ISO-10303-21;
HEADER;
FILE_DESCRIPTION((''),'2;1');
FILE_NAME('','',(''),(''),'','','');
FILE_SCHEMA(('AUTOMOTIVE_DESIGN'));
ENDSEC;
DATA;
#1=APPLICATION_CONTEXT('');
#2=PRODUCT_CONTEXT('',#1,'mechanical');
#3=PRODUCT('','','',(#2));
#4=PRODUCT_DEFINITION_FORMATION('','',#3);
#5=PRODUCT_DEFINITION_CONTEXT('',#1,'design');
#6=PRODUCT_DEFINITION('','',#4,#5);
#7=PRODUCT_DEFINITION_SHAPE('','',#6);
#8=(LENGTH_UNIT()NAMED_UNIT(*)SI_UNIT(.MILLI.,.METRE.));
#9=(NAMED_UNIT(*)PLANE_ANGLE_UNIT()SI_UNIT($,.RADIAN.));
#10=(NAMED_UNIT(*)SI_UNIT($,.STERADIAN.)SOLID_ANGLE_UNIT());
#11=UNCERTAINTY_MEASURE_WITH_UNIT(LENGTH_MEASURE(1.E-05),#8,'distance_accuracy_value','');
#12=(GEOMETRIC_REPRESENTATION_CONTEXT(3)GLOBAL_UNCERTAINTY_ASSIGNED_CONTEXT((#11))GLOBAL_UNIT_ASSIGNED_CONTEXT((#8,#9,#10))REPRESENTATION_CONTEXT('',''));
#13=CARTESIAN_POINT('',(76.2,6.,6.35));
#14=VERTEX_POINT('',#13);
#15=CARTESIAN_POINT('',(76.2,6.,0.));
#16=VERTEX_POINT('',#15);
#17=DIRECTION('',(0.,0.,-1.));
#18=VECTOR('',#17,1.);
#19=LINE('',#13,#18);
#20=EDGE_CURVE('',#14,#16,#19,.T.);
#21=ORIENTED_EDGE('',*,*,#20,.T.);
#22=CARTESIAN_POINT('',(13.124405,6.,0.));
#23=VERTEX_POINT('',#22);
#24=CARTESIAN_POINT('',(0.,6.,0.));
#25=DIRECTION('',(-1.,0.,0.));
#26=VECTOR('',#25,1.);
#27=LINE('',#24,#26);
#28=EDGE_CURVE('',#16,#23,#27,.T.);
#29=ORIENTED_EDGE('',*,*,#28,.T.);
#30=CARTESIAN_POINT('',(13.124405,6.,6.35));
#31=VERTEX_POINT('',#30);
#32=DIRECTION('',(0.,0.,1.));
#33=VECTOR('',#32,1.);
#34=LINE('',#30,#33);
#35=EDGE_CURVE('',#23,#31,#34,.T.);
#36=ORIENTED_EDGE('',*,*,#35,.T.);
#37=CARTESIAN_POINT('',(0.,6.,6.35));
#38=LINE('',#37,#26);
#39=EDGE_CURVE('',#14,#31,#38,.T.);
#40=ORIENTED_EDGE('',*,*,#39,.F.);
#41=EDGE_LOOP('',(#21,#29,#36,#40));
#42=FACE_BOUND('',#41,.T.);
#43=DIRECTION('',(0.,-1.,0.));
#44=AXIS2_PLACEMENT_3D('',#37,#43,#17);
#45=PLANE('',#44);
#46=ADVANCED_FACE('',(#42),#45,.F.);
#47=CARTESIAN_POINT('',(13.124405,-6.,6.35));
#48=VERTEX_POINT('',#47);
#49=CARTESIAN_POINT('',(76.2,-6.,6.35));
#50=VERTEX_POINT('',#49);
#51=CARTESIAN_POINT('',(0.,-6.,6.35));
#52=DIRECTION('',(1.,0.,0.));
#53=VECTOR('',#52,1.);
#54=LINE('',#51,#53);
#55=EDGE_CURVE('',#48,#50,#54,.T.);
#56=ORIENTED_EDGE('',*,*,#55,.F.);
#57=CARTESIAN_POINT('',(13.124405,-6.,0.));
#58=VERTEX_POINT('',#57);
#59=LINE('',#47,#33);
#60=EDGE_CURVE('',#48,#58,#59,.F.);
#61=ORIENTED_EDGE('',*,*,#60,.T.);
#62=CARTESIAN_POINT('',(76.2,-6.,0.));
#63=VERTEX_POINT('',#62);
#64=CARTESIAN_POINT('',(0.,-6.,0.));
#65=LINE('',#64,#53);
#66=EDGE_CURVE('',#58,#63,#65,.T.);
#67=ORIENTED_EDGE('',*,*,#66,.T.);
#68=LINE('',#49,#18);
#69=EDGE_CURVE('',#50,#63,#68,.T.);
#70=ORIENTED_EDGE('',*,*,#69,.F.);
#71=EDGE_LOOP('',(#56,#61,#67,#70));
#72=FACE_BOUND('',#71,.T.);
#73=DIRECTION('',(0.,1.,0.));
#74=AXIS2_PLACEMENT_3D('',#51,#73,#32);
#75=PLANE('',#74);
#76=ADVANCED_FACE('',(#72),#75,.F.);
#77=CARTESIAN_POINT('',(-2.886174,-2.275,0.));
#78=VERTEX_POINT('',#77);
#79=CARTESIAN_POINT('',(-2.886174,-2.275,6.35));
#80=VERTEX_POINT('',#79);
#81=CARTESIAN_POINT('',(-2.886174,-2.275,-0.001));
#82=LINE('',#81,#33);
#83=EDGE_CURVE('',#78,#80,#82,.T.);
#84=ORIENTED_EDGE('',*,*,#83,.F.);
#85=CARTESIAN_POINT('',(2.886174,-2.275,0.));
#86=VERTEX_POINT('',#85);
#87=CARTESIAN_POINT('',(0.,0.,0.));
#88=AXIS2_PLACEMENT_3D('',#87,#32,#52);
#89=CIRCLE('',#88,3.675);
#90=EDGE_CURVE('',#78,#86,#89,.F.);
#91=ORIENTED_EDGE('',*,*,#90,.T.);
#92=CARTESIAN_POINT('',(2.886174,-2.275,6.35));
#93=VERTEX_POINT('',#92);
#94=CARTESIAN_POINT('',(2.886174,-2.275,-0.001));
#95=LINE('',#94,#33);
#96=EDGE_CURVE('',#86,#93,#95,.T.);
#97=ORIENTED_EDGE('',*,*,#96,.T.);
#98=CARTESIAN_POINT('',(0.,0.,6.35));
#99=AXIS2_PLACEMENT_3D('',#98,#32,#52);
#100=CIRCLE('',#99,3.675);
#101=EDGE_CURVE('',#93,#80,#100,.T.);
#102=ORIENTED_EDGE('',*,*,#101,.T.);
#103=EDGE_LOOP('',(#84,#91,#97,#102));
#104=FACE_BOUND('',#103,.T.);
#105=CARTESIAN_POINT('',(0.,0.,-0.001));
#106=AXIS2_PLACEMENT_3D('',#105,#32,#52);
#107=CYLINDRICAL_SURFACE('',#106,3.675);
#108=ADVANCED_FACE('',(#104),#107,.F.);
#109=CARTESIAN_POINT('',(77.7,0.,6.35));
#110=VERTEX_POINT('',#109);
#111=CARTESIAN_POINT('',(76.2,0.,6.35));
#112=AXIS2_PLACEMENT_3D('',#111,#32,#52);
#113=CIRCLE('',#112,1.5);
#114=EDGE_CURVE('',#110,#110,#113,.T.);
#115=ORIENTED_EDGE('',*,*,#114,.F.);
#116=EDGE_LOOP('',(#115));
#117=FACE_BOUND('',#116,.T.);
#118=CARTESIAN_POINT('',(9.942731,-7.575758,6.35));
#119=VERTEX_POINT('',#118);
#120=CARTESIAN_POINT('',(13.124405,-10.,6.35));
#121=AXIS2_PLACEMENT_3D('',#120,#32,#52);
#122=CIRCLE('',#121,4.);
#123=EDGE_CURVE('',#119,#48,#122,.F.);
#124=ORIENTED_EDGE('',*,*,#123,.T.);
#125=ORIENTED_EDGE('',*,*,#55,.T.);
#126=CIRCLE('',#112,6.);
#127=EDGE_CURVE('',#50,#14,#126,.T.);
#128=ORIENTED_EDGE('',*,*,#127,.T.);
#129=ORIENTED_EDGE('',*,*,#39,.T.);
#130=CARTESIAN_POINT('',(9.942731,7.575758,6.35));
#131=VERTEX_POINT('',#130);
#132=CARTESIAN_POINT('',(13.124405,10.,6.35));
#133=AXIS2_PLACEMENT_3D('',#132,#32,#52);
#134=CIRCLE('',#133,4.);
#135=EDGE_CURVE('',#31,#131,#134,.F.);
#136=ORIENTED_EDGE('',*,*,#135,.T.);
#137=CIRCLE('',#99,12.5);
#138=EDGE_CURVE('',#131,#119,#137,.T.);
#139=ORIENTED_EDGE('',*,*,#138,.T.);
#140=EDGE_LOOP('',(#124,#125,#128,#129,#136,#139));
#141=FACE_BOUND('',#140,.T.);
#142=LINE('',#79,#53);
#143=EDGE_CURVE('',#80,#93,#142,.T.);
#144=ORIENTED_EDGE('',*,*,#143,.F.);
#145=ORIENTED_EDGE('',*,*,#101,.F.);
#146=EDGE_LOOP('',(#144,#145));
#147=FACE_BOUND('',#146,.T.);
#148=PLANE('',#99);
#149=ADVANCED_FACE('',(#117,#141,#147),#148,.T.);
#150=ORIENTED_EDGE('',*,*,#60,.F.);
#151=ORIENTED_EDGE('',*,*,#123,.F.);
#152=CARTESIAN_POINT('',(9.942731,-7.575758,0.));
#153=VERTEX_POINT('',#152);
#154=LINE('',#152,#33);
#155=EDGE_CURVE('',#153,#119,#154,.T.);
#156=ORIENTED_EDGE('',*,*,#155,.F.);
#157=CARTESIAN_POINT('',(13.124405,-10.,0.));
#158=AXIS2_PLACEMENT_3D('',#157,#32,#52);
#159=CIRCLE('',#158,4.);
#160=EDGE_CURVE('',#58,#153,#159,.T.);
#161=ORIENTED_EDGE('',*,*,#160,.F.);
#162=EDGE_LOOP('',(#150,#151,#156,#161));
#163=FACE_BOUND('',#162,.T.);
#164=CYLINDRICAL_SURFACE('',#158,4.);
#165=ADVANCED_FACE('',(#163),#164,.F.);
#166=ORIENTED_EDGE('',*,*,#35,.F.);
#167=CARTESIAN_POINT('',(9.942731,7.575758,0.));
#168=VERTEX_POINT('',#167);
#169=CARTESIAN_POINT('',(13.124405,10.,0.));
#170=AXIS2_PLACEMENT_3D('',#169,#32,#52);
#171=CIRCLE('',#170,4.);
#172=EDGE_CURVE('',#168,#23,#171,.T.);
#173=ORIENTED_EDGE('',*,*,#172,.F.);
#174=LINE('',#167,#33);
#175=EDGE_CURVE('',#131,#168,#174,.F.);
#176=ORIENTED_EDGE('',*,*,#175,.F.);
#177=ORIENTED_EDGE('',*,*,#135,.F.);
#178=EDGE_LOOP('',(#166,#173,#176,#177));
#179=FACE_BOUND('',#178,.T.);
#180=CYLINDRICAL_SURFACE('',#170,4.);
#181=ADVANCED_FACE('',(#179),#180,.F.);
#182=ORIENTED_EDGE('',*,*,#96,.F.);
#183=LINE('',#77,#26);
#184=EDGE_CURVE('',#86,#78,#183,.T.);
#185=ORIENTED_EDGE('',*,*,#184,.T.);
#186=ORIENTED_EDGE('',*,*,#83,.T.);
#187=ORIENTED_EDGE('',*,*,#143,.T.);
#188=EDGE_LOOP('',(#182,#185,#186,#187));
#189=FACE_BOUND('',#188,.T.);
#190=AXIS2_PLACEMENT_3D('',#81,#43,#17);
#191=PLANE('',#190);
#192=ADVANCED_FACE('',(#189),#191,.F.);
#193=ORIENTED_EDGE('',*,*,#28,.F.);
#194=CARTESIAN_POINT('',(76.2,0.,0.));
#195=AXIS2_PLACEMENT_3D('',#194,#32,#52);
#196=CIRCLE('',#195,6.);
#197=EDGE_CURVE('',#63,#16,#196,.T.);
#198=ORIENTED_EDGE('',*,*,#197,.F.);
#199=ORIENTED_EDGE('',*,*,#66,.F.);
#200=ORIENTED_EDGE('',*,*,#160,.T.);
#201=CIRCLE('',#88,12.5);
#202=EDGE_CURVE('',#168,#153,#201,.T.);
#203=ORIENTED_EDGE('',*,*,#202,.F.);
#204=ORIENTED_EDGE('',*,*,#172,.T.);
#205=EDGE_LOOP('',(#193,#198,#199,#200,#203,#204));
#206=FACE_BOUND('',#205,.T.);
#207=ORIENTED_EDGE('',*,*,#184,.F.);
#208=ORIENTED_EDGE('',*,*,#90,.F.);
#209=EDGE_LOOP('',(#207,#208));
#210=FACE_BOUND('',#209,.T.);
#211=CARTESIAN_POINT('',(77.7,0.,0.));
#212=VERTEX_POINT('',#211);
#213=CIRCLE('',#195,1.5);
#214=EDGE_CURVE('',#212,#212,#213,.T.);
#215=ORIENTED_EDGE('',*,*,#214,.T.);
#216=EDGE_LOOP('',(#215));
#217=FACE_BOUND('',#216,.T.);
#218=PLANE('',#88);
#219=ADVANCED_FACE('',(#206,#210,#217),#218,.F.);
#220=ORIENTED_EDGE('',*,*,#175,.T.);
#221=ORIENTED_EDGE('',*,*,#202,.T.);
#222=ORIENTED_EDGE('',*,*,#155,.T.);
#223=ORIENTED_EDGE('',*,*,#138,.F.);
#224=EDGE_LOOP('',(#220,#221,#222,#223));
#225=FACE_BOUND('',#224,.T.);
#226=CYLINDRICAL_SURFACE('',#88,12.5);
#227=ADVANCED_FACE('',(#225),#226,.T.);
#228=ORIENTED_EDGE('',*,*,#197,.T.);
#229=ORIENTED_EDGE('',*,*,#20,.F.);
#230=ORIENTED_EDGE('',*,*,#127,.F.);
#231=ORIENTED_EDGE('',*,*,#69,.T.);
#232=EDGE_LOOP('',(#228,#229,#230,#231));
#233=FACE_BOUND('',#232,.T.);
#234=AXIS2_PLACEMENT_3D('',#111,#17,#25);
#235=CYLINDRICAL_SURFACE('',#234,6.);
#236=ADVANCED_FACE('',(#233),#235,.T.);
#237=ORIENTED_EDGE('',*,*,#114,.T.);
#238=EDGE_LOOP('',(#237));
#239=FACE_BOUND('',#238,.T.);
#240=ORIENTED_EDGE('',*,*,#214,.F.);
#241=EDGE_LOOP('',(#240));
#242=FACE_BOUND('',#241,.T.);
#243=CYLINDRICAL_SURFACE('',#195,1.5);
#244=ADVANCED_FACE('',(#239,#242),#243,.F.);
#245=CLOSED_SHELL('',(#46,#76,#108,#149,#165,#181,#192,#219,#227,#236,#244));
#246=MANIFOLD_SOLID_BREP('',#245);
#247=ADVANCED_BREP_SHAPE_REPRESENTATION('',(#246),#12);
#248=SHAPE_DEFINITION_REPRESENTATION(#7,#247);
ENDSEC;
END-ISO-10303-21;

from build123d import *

# Parameters (mm, degrees)
BOSS_EXTRU_1_DEPTH      = 6.35
ESQUISSE4_R             = 12.5
BOSS_EXTRU_2_DEPTH      = 6.35
ENL_V_MAT_EXTRU_1_REACH = 85.387
ESQUISSE3_R             = 1.5
ENL_V_MAT_EXTRU_2_DEPTH = 6.35
CONG_1_R                = 4


with BuildPart() as part:
    # Esquisse1 → Boss.-Extru.1 (new body)
    with BuildSketch(Plane.XY):
        with BuildLine():
            Line((0, 6), (76.2, 6))
            ThreePointArc((76.2, 6), (82.2, 0), (76.2, -6))
            Line((76.2, -6), (0, -6))
            ThreePointArc((0, -6), (-6, 0), (0, 6))
        make_face()
    extrude(amount=BOSS_EXTRU_1_DEPTH)

    # Esquisse4 → Boss.-Extru.2 (add)
    with BuildSketch(Plane.XY.offset(6.35)):
        Circle(ESQUISSE4_R)
    extrude(amount=-BOSS_EXTRU_2_DEPTH)

    # Esquisse2 → Enlèv. mat.-Extru.1 (cut, up to next)
    with BuildSketch(Plane.XY.offset(6.35), mode=Mode.PRIVATE) as enl_v_mat_extru_1_sk1:
        with BuildLine():
            Line((-2.886173938, -2.275), (2.886173938, -2.275))
            ThreePointArc((2.886173938, -2.275), (0, 3.675), (-2.886173938, -2.275))
        make_face()
    enl_v_mat_extru_1_tool1 = extrude(enl_v_mat_extru_1_sk1.sketch, amount=-ENL_V_MAT_EXTRU_1_REACH, mode=Mode.PRIVATE) & part.part
    add(enl_v_mat_extru_1_tool1.solids().sort_by_distance((0, 0.435587, 6.35))[0], mode=Mode.SUBTRACT)

    # Esquisse3 → Enlèv. mat.-Extru.2 (cut)
    with BuildSketch(Plane.XY.offset(6.35)):
        with Locations((76.2, 0)):
            Circle(ESQUISSE3_R)
    extrude(amount=-ENL_V_MAT_EXTRU_2_DEPTH, mode=Mode.SUBTRACT)

    # Congé1
    cong_1_edges = [part.edges().sort_by_distance(p)[0] for p in [
        (10.9658561, -6, 3.175),
        (10.9658561, 6, 3.175),
    ]]
    fillet(cong_1_edges, radius=CONG_1_R)


solid = part.part
